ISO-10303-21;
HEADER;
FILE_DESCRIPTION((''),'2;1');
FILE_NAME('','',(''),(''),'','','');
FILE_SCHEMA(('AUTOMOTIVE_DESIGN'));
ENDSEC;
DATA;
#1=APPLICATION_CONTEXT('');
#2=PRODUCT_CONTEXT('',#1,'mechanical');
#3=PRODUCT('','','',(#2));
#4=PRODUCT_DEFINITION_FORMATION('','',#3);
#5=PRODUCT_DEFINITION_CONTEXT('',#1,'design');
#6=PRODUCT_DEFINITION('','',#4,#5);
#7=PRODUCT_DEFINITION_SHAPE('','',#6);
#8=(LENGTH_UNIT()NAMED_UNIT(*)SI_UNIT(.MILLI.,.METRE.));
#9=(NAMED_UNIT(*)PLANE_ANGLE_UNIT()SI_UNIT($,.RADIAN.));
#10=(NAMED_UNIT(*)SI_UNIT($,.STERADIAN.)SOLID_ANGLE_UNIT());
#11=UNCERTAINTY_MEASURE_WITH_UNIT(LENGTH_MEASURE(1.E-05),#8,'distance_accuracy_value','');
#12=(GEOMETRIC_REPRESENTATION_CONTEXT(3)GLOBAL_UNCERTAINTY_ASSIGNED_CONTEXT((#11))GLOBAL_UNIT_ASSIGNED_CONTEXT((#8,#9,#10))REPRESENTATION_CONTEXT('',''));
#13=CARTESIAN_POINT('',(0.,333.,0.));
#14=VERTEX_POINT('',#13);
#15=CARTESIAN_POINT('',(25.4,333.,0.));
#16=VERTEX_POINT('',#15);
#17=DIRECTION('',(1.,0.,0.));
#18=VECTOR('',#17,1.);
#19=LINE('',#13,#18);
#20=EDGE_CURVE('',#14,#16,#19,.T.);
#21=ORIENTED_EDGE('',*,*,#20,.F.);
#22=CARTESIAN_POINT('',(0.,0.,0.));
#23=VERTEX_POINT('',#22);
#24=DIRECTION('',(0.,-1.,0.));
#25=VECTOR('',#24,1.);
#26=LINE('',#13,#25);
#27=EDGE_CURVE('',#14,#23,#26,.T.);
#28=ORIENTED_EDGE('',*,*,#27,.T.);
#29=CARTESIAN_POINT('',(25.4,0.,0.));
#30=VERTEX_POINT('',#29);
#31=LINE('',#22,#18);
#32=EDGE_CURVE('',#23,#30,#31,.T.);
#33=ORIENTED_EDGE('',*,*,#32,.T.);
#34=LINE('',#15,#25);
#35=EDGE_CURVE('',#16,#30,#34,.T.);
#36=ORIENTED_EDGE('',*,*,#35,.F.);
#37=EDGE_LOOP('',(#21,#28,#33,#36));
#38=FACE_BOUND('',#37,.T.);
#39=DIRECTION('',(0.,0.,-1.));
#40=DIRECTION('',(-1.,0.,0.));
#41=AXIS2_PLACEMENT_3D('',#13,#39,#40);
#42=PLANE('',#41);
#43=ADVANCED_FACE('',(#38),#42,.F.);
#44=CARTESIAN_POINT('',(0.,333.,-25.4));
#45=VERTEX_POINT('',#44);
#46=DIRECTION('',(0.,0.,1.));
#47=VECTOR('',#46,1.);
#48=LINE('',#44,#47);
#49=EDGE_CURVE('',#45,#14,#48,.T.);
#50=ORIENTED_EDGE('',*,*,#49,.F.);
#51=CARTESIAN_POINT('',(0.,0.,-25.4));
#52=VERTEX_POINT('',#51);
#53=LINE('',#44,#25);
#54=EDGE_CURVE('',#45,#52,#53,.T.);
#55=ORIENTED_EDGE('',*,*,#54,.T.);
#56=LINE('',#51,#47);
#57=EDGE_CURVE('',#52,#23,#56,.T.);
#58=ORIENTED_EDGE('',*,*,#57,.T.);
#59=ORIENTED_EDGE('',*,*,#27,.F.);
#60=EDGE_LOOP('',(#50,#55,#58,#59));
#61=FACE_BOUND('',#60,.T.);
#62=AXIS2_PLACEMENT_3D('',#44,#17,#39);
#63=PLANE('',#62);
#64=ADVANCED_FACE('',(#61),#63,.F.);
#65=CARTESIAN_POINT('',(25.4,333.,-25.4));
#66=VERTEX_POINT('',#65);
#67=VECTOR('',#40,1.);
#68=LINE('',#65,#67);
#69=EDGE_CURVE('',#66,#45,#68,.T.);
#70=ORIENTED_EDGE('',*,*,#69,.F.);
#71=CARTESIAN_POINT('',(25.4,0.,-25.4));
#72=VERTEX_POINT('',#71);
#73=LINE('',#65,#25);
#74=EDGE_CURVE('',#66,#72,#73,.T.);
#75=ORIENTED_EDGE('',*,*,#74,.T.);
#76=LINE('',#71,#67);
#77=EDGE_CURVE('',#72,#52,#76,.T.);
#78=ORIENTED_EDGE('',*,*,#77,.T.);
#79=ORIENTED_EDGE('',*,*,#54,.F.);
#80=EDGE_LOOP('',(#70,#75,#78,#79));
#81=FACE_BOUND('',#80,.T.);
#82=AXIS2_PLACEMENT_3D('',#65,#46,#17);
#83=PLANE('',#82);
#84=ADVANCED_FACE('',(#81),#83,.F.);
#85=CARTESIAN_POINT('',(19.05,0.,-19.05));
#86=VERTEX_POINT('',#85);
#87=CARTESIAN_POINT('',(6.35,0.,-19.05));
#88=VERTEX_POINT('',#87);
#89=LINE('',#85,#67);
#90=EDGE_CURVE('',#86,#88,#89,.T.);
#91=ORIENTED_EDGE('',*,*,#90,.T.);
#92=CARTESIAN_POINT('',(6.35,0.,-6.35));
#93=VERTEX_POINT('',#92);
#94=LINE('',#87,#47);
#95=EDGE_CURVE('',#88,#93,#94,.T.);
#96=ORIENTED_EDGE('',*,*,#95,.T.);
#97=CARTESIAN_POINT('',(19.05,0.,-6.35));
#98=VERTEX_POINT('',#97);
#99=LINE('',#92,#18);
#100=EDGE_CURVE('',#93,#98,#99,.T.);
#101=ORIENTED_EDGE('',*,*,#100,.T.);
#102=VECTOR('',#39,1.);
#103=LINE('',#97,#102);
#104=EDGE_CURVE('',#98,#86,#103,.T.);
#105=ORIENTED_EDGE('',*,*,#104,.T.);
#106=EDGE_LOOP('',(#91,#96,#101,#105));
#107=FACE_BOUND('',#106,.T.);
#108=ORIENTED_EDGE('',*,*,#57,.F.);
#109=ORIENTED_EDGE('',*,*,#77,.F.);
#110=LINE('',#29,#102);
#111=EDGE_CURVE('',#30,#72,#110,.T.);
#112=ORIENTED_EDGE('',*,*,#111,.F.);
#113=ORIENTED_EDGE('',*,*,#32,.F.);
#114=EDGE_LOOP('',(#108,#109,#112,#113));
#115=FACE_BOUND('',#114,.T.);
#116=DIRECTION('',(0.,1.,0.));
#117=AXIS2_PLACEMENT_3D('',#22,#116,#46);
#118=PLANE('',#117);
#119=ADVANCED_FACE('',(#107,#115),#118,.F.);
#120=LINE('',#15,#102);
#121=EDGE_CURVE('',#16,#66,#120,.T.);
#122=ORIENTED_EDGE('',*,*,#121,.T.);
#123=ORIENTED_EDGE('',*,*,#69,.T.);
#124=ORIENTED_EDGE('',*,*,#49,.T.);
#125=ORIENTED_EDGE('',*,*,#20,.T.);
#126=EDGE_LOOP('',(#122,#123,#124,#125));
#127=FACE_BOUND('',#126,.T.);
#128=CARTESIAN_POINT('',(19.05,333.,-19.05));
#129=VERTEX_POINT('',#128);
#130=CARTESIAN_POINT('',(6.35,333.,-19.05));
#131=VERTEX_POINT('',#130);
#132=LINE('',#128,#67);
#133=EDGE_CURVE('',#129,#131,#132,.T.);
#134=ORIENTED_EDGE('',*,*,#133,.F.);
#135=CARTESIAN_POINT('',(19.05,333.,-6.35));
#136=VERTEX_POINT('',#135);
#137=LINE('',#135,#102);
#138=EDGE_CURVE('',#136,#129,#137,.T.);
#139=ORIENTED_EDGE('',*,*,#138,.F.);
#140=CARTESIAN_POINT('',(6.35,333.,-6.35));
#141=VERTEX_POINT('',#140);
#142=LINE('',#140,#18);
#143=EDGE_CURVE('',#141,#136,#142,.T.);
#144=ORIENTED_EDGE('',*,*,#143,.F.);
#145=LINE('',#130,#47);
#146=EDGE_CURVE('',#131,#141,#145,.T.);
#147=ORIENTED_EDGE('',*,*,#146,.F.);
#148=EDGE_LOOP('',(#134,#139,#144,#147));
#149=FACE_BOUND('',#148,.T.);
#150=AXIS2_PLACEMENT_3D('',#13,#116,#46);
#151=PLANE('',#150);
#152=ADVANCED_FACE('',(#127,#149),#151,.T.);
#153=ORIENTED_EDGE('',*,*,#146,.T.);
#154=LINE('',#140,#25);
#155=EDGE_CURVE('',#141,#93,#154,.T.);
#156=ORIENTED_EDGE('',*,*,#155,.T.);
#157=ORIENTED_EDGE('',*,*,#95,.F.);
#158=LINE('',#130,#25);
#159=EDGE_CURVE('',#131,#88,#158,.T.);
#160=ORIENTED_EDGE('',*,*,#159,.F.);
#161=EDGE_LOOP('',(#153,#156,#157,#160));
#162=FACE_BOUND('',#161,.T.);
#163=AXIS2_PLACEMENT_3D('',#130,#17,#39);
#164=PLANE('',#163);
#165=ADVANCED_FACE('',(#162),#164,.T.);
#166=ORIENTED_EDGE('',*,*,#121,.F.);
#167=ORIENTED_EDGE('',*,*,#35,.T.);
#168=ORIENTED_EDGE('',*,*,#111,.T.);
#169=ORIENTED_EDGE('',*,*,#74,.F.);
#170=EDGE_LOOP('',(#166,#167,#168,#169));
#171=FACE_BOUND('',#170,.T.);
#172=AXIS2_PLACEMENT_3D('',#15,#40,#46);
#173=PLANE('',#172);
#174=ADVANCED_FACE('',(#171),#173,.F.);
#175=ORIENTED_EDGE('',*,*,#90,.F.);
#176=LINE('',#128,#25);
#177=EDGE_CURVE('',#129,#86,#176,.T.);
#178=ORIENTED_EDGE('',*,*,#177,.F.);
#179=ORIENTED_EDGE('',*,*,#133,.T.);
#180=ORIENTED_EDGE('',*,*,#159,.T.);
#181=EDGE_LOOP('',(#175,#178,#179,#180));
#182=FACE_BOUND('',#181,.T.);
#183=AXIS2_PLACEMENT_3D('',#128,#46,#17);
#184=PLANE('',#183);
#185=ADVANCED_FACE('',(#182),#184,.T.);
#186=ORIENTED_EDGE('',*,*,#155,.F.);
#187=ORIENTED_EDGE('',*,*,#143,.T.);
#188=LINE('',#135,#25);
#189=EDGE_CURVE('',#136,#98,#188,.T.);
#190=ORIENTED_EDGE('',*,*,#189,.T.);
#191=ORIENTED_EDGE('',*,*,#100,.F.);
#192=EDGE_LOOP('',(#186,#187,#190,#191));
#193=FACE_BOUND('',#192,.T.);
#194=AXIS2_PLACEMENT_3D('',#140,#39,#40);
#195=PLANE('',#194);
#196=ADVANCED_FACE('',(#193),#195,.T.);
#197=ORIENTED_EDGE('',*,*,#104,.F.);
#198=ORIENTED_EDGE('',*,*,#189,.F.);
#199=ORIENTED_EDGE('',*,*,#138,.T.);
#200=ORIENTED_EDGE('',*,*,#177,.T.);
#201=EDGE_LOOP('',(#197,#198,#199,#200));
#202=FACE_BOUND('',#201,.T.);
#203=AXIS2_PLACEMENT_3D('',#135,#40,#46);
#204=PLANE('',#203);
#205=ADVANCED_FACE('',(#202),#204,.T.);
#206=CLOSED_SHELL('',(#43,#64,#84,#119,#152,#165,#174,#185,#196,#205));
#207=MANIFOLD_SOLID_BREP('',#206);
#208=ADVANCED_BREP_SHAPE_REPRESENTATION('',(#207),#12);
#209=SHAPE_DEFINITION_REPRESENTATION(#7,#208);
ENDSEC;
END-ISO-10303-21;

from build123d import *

# Parameters (mm, degrees)
SKETCH3_W           = 25.4
SKETCH3_H           = 25.4
SKETCH3_W_2         = 12.7
SKETCH3_H_2         = 12.7
BOSS_EXTRUDE2_DEPTH = 333


with BuildPart() as part:
    # Sketch3 → Boss-Extrude2 (new body)
    with BuildSketch(Plane(origin=(0, 0, 0), x_dir=(1, 0, 0), z_dir=(0, 1, 0))):
        with Locations((12.7, 12.7)):
            Rectangle(SKETCH3_W, SKETCH3_H)
        with Locations((12.7, 12.7)):
            Rectangle(SKETCH3_W_2, SKETCH3_H_2, mode=Mode.SUBTRACT)
    extrude(amount=BOSS_EXTRUDE2_DEPTH)


solid = part.part
